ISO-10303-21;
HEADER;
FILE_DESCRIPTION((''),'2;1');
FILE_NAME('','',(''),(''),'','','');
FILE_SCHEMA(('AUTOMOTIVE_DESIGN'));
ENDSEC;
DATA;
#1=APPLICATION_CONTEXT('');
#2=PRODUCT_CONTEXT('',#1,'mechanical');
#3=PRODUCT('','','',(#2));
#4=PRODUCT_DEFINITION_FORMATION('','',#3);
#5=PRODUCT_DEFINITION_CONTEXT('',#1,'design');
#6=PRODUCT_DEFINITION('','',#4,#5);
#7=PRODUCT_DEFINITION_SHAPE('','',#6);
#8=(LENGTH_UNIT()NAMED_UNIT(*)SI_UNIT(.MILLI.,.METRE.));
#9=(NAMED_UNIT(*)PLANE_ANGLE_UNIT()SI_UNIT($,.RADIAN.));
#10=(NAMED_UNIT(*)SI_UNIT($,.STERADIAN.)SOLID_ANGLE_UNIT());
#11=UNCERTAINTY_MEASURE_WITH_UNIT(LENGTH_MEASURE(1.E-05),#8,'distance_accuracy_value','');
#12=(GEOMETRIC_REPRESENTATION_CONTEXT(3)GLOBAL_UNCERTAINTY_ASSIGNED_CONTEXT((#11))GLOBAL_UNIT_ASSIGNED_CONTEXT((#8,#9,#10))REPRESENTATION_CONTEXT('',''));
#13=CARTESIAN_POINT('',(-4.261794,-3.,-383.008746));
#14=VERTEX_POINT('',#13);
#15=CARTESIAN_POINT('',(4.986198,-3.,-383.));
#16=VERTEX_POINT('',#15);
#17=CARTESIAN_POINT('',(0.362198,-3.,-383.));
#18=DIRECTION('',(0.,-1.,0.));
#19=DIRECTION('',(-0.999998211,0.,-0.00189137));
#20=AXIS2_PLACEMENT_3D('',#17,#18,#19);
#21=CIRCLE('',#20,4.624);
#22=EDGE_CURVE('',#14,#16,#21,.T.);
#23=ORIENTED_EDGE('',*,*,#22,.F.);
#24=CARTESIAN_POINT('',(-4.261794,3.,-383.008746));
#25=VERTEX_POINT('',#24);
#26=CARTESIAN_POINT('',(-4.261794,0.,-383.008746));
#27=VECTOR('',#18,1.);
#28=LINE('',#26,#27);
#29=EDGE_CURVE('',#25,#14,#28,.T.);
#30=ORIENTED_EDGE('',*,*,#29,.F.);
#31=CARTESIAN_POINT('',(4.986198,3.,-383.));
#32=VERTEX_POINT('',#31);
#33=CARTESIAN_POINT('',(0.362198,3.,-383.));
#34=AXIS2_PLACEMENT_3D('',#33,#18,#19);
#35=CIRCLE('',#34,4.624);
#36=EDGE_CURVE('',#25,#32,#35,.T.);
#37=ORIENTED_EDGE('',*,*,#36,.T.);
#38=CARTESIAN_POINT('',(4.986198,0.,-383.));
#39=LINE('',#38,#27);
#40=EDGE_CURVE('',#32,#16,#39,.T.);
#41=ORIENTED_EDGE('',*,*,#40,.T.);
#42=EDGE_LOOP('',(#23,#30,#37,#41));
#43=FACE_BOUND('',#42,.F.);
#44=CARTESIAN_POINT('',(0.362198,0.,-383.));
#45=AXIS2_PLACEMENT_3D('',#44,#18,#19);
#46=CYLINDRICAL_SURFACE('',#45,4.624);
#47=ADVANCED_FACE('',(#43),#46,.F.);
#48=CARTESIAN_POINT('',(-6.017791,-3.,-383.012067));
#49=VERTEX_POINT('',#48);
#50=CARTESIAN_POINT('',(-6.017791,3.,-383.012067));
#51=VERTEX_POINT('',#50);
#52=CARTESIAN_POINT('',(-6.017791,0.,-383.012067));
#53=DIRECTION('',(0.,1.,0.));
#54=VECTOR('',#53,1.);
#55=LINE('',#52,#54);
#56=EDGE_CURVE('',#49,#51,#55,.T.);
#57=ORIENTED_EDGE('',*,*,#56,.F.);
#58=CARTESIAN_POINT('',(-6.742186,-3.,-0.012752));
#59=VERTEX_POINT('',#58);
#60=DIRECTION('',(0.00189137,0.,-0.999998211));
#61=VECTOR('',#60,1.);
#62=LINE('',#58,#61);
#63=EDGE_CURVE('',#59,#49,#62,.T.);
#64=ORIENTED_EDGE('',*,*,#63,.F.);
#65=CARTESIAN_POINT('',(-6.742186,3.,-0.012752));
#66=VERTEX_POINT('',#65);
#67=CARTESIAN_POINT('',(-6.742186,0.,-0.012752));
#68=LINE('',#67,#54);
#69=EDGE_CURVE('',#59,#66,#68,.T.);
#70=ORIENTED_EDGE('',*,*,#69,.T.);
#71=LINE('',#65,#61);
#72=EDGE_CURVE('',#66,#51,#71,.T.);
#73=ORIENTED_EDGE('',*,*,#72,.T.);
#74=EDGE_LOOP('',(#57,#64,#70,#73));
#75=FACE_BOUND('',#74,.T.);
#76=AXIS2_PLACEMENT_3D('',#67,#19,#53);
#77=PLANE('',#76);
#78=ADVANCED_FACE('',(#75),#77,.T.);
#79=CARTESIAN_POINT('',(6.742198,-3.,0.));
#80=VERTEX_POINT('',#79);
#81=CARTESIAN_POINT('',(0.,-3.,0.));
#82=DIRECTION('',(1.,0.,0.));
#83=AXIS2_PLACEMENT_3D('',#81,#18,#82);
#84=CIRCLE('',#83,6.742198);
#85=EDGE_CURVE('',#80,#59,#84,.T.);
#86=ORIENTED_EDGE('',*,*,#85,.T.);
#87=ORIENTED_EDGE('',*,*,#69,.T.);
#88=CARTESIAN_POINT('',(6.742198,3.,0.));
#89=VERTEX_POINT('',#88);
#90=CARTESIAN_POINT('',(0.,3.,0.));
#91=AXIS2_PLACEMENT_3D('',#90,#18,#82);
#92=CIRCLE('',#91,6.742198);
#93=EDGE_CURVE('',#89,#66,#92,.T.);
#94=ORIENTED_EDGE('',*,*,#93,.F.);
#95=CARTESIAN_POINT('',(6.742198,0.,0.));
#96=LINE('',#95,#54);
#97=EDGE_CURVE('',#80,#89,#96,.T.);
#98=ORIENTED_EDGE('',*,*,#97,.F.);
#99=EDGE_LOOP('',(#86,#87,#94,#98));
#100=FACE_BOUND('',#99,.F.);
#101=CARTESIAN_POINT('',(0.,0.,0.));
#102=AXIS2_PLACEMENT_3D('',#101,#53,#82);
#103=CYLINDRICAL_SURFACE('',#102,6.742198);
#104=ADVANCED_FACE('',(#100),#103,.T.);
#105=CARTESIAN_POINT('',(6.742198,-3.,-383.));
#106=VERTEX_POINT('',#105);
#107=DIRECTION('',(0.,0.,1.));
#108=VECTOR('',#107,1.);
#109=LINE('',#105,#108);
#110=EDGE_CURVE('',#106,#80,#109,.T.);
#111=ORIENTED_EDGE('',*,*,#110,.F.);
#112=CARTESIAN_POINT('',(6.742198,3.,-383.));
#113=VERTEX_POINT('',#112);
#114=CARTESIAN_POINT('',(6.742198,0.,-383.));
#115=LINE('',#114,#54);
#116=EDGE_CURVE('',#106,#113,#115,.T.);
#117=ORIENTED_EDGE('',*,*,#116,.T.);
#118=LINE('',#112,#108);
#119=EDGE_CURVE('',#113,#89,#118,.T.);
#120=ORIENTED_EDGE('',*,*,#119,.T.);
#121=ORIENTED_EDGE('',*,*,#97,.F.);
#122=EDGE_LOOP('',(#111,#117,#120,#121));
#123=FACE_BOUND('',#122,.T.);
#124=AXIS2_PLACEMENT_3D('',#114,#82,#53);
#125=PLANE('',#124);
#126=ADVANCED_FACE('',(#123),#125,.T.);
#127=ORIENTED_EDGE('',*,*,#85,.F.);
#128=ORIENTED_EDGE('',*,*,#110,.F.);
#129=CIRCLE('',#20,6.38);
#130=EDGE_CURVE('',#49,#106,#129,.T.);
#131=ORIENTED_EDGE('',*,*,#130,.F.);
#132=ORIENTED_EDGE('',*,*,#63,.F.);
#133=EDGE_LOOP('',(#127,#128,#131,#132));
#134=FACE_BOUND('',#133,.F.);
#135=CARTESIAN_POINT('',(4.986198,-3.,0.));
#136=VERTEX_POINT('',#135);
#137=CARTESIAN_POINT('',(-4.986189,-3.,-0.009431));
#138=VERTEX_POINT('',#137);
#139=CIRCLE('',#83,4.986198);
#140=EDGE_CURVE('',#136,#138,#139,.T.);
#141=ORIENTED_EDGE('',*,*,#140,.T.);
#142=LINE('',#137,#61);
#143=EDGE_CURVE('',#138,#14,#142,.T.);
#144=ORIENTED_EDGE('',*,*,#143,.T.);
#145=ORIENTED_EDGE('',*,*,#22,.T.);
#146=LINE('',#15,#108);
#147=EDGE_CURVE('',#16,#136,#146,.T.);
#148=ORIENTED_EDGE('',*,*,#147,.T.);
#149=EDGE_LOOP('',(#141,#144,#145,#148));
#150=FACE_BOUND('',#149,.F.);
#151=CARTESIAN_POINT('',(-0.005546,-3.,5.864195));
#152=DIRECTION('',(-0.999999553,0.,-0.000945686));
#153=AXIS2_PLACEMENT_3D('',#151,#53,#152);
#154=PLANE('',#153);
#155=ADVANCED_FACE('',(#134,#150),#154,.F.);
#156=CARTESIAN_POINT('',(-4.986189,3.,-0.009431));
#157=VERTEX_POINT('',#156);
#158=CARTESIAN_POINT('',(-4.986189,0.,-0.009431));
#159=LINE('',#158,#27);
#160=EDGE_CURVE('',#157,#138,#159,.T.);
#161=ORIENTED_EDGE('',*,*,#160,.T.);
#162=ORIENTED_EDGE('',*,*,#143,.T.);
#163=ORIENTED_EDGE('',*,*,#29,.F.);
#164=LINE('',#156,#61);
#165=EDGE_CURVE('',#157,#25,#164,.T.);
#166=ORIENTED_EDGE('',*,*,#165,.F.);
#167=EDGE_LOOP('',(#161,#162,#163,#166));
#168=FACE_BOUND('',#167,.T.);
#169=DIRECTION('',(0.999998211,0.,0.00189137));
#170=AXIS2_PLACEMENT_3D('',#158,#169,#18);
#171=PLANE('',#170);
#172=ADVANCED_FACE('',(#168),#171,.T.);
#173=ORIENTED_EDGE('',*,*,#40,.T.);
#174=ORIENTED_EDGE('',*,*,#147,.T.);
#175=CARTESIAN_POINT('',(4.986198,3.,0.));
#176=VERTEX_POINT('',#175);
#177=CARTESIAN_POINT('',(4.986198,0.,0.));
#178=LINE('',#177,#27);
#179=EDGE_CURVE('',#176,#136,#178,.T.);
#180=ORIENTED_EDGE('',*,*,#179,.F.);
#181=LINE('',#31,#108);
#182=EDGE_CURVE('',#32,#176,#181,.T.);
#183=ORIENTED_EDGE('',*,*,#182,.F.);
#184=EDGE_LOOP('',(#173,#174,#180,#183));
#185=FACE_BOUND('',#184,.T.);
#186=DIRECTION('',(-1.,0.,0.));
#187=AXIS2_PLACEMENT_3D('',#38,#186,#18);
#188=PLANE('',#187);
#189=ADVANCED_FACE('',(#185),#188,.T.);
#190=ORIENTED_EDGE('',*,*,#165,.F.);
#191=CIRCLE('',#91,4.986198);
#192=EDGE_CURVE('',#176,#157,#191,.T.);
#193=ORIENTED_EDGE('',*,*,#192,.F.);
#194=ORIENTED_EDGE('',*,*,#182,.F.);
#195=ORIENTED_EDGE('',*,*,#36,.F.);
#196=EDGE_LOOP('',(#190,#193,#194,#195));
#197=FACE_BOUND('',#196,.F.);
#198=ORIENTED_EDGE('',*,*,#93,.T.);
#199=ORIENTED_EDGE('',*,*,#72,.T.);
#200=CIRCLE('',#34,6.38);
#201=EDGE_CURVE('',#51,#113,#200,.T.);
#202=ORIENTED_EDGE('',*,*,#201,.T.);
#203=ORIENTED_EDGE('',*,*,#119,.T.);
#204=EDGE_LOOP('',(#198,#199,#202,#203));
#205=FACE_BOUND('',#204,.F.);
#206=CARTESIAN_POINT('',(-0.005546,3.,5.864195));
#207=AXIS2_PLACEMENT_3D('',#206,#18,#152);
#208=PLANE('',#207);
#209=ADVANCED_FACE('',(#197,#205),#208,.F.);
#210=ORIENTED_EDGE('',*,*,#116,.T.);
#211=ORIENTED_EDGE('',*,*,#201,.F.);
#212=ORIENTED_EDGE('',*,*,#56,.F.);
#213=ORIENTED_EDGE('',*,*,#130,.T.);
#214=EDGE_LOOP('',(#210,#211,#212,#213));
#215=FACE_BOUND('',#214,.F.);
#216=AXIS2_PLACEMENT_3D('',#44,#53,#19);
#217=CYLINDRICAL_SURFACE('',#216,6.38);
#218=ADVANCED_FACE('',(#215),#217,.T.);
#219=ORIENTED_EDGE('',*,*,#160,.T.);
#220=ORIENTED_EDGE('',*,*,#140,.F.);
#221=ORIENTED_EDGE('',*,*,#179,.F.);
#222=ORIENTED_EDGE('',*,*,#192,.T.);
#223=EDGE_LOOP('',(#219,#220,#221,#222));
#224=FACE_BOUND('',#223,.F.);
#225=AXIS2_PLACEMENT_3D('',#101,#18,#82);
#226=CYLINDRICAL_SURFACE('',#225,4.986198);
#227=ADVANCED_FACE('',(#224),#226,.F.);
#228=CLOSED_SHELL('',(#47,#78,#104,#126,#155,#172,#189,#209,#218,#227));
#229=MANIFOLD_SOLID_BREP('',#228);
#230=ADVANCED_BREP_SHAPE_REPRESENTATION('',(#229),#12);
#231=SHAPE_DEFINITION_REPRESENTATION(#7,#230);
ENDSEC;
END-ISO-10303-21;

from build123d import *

# Parameters (mm, degrees)
F1_W = 1.756
F1_H = 6


with BuildPart() as f2:
    # F2: sweep along a path in F0
    with BuildLine(Plane.XZ) as f2_path:
        ThreePointArc((6.3661977237, 0), (-0.0060204211, 6.366194877), (-6.3661863368, -0.0120408369))
        Line((-6.3661863368, -0.0120408369), (-5.6417915373, -383.0113557869))
        ThreePointArc((-5.6417915373, -383.0113557869), (0.3678756197, -389.0039973152), (6.3661977237, -383))
        Line((6.3661977237, -383), (6.3661977237, 0))
    # F1 (on Top) → F2 (sweep)
    with BuildSketch(Plane.XY):
        with Locations((5.8641977237, 0)):
            Rectangle(F1_W, F1_H)
    sweep(path=f2_path.line)


solid = f2.part
